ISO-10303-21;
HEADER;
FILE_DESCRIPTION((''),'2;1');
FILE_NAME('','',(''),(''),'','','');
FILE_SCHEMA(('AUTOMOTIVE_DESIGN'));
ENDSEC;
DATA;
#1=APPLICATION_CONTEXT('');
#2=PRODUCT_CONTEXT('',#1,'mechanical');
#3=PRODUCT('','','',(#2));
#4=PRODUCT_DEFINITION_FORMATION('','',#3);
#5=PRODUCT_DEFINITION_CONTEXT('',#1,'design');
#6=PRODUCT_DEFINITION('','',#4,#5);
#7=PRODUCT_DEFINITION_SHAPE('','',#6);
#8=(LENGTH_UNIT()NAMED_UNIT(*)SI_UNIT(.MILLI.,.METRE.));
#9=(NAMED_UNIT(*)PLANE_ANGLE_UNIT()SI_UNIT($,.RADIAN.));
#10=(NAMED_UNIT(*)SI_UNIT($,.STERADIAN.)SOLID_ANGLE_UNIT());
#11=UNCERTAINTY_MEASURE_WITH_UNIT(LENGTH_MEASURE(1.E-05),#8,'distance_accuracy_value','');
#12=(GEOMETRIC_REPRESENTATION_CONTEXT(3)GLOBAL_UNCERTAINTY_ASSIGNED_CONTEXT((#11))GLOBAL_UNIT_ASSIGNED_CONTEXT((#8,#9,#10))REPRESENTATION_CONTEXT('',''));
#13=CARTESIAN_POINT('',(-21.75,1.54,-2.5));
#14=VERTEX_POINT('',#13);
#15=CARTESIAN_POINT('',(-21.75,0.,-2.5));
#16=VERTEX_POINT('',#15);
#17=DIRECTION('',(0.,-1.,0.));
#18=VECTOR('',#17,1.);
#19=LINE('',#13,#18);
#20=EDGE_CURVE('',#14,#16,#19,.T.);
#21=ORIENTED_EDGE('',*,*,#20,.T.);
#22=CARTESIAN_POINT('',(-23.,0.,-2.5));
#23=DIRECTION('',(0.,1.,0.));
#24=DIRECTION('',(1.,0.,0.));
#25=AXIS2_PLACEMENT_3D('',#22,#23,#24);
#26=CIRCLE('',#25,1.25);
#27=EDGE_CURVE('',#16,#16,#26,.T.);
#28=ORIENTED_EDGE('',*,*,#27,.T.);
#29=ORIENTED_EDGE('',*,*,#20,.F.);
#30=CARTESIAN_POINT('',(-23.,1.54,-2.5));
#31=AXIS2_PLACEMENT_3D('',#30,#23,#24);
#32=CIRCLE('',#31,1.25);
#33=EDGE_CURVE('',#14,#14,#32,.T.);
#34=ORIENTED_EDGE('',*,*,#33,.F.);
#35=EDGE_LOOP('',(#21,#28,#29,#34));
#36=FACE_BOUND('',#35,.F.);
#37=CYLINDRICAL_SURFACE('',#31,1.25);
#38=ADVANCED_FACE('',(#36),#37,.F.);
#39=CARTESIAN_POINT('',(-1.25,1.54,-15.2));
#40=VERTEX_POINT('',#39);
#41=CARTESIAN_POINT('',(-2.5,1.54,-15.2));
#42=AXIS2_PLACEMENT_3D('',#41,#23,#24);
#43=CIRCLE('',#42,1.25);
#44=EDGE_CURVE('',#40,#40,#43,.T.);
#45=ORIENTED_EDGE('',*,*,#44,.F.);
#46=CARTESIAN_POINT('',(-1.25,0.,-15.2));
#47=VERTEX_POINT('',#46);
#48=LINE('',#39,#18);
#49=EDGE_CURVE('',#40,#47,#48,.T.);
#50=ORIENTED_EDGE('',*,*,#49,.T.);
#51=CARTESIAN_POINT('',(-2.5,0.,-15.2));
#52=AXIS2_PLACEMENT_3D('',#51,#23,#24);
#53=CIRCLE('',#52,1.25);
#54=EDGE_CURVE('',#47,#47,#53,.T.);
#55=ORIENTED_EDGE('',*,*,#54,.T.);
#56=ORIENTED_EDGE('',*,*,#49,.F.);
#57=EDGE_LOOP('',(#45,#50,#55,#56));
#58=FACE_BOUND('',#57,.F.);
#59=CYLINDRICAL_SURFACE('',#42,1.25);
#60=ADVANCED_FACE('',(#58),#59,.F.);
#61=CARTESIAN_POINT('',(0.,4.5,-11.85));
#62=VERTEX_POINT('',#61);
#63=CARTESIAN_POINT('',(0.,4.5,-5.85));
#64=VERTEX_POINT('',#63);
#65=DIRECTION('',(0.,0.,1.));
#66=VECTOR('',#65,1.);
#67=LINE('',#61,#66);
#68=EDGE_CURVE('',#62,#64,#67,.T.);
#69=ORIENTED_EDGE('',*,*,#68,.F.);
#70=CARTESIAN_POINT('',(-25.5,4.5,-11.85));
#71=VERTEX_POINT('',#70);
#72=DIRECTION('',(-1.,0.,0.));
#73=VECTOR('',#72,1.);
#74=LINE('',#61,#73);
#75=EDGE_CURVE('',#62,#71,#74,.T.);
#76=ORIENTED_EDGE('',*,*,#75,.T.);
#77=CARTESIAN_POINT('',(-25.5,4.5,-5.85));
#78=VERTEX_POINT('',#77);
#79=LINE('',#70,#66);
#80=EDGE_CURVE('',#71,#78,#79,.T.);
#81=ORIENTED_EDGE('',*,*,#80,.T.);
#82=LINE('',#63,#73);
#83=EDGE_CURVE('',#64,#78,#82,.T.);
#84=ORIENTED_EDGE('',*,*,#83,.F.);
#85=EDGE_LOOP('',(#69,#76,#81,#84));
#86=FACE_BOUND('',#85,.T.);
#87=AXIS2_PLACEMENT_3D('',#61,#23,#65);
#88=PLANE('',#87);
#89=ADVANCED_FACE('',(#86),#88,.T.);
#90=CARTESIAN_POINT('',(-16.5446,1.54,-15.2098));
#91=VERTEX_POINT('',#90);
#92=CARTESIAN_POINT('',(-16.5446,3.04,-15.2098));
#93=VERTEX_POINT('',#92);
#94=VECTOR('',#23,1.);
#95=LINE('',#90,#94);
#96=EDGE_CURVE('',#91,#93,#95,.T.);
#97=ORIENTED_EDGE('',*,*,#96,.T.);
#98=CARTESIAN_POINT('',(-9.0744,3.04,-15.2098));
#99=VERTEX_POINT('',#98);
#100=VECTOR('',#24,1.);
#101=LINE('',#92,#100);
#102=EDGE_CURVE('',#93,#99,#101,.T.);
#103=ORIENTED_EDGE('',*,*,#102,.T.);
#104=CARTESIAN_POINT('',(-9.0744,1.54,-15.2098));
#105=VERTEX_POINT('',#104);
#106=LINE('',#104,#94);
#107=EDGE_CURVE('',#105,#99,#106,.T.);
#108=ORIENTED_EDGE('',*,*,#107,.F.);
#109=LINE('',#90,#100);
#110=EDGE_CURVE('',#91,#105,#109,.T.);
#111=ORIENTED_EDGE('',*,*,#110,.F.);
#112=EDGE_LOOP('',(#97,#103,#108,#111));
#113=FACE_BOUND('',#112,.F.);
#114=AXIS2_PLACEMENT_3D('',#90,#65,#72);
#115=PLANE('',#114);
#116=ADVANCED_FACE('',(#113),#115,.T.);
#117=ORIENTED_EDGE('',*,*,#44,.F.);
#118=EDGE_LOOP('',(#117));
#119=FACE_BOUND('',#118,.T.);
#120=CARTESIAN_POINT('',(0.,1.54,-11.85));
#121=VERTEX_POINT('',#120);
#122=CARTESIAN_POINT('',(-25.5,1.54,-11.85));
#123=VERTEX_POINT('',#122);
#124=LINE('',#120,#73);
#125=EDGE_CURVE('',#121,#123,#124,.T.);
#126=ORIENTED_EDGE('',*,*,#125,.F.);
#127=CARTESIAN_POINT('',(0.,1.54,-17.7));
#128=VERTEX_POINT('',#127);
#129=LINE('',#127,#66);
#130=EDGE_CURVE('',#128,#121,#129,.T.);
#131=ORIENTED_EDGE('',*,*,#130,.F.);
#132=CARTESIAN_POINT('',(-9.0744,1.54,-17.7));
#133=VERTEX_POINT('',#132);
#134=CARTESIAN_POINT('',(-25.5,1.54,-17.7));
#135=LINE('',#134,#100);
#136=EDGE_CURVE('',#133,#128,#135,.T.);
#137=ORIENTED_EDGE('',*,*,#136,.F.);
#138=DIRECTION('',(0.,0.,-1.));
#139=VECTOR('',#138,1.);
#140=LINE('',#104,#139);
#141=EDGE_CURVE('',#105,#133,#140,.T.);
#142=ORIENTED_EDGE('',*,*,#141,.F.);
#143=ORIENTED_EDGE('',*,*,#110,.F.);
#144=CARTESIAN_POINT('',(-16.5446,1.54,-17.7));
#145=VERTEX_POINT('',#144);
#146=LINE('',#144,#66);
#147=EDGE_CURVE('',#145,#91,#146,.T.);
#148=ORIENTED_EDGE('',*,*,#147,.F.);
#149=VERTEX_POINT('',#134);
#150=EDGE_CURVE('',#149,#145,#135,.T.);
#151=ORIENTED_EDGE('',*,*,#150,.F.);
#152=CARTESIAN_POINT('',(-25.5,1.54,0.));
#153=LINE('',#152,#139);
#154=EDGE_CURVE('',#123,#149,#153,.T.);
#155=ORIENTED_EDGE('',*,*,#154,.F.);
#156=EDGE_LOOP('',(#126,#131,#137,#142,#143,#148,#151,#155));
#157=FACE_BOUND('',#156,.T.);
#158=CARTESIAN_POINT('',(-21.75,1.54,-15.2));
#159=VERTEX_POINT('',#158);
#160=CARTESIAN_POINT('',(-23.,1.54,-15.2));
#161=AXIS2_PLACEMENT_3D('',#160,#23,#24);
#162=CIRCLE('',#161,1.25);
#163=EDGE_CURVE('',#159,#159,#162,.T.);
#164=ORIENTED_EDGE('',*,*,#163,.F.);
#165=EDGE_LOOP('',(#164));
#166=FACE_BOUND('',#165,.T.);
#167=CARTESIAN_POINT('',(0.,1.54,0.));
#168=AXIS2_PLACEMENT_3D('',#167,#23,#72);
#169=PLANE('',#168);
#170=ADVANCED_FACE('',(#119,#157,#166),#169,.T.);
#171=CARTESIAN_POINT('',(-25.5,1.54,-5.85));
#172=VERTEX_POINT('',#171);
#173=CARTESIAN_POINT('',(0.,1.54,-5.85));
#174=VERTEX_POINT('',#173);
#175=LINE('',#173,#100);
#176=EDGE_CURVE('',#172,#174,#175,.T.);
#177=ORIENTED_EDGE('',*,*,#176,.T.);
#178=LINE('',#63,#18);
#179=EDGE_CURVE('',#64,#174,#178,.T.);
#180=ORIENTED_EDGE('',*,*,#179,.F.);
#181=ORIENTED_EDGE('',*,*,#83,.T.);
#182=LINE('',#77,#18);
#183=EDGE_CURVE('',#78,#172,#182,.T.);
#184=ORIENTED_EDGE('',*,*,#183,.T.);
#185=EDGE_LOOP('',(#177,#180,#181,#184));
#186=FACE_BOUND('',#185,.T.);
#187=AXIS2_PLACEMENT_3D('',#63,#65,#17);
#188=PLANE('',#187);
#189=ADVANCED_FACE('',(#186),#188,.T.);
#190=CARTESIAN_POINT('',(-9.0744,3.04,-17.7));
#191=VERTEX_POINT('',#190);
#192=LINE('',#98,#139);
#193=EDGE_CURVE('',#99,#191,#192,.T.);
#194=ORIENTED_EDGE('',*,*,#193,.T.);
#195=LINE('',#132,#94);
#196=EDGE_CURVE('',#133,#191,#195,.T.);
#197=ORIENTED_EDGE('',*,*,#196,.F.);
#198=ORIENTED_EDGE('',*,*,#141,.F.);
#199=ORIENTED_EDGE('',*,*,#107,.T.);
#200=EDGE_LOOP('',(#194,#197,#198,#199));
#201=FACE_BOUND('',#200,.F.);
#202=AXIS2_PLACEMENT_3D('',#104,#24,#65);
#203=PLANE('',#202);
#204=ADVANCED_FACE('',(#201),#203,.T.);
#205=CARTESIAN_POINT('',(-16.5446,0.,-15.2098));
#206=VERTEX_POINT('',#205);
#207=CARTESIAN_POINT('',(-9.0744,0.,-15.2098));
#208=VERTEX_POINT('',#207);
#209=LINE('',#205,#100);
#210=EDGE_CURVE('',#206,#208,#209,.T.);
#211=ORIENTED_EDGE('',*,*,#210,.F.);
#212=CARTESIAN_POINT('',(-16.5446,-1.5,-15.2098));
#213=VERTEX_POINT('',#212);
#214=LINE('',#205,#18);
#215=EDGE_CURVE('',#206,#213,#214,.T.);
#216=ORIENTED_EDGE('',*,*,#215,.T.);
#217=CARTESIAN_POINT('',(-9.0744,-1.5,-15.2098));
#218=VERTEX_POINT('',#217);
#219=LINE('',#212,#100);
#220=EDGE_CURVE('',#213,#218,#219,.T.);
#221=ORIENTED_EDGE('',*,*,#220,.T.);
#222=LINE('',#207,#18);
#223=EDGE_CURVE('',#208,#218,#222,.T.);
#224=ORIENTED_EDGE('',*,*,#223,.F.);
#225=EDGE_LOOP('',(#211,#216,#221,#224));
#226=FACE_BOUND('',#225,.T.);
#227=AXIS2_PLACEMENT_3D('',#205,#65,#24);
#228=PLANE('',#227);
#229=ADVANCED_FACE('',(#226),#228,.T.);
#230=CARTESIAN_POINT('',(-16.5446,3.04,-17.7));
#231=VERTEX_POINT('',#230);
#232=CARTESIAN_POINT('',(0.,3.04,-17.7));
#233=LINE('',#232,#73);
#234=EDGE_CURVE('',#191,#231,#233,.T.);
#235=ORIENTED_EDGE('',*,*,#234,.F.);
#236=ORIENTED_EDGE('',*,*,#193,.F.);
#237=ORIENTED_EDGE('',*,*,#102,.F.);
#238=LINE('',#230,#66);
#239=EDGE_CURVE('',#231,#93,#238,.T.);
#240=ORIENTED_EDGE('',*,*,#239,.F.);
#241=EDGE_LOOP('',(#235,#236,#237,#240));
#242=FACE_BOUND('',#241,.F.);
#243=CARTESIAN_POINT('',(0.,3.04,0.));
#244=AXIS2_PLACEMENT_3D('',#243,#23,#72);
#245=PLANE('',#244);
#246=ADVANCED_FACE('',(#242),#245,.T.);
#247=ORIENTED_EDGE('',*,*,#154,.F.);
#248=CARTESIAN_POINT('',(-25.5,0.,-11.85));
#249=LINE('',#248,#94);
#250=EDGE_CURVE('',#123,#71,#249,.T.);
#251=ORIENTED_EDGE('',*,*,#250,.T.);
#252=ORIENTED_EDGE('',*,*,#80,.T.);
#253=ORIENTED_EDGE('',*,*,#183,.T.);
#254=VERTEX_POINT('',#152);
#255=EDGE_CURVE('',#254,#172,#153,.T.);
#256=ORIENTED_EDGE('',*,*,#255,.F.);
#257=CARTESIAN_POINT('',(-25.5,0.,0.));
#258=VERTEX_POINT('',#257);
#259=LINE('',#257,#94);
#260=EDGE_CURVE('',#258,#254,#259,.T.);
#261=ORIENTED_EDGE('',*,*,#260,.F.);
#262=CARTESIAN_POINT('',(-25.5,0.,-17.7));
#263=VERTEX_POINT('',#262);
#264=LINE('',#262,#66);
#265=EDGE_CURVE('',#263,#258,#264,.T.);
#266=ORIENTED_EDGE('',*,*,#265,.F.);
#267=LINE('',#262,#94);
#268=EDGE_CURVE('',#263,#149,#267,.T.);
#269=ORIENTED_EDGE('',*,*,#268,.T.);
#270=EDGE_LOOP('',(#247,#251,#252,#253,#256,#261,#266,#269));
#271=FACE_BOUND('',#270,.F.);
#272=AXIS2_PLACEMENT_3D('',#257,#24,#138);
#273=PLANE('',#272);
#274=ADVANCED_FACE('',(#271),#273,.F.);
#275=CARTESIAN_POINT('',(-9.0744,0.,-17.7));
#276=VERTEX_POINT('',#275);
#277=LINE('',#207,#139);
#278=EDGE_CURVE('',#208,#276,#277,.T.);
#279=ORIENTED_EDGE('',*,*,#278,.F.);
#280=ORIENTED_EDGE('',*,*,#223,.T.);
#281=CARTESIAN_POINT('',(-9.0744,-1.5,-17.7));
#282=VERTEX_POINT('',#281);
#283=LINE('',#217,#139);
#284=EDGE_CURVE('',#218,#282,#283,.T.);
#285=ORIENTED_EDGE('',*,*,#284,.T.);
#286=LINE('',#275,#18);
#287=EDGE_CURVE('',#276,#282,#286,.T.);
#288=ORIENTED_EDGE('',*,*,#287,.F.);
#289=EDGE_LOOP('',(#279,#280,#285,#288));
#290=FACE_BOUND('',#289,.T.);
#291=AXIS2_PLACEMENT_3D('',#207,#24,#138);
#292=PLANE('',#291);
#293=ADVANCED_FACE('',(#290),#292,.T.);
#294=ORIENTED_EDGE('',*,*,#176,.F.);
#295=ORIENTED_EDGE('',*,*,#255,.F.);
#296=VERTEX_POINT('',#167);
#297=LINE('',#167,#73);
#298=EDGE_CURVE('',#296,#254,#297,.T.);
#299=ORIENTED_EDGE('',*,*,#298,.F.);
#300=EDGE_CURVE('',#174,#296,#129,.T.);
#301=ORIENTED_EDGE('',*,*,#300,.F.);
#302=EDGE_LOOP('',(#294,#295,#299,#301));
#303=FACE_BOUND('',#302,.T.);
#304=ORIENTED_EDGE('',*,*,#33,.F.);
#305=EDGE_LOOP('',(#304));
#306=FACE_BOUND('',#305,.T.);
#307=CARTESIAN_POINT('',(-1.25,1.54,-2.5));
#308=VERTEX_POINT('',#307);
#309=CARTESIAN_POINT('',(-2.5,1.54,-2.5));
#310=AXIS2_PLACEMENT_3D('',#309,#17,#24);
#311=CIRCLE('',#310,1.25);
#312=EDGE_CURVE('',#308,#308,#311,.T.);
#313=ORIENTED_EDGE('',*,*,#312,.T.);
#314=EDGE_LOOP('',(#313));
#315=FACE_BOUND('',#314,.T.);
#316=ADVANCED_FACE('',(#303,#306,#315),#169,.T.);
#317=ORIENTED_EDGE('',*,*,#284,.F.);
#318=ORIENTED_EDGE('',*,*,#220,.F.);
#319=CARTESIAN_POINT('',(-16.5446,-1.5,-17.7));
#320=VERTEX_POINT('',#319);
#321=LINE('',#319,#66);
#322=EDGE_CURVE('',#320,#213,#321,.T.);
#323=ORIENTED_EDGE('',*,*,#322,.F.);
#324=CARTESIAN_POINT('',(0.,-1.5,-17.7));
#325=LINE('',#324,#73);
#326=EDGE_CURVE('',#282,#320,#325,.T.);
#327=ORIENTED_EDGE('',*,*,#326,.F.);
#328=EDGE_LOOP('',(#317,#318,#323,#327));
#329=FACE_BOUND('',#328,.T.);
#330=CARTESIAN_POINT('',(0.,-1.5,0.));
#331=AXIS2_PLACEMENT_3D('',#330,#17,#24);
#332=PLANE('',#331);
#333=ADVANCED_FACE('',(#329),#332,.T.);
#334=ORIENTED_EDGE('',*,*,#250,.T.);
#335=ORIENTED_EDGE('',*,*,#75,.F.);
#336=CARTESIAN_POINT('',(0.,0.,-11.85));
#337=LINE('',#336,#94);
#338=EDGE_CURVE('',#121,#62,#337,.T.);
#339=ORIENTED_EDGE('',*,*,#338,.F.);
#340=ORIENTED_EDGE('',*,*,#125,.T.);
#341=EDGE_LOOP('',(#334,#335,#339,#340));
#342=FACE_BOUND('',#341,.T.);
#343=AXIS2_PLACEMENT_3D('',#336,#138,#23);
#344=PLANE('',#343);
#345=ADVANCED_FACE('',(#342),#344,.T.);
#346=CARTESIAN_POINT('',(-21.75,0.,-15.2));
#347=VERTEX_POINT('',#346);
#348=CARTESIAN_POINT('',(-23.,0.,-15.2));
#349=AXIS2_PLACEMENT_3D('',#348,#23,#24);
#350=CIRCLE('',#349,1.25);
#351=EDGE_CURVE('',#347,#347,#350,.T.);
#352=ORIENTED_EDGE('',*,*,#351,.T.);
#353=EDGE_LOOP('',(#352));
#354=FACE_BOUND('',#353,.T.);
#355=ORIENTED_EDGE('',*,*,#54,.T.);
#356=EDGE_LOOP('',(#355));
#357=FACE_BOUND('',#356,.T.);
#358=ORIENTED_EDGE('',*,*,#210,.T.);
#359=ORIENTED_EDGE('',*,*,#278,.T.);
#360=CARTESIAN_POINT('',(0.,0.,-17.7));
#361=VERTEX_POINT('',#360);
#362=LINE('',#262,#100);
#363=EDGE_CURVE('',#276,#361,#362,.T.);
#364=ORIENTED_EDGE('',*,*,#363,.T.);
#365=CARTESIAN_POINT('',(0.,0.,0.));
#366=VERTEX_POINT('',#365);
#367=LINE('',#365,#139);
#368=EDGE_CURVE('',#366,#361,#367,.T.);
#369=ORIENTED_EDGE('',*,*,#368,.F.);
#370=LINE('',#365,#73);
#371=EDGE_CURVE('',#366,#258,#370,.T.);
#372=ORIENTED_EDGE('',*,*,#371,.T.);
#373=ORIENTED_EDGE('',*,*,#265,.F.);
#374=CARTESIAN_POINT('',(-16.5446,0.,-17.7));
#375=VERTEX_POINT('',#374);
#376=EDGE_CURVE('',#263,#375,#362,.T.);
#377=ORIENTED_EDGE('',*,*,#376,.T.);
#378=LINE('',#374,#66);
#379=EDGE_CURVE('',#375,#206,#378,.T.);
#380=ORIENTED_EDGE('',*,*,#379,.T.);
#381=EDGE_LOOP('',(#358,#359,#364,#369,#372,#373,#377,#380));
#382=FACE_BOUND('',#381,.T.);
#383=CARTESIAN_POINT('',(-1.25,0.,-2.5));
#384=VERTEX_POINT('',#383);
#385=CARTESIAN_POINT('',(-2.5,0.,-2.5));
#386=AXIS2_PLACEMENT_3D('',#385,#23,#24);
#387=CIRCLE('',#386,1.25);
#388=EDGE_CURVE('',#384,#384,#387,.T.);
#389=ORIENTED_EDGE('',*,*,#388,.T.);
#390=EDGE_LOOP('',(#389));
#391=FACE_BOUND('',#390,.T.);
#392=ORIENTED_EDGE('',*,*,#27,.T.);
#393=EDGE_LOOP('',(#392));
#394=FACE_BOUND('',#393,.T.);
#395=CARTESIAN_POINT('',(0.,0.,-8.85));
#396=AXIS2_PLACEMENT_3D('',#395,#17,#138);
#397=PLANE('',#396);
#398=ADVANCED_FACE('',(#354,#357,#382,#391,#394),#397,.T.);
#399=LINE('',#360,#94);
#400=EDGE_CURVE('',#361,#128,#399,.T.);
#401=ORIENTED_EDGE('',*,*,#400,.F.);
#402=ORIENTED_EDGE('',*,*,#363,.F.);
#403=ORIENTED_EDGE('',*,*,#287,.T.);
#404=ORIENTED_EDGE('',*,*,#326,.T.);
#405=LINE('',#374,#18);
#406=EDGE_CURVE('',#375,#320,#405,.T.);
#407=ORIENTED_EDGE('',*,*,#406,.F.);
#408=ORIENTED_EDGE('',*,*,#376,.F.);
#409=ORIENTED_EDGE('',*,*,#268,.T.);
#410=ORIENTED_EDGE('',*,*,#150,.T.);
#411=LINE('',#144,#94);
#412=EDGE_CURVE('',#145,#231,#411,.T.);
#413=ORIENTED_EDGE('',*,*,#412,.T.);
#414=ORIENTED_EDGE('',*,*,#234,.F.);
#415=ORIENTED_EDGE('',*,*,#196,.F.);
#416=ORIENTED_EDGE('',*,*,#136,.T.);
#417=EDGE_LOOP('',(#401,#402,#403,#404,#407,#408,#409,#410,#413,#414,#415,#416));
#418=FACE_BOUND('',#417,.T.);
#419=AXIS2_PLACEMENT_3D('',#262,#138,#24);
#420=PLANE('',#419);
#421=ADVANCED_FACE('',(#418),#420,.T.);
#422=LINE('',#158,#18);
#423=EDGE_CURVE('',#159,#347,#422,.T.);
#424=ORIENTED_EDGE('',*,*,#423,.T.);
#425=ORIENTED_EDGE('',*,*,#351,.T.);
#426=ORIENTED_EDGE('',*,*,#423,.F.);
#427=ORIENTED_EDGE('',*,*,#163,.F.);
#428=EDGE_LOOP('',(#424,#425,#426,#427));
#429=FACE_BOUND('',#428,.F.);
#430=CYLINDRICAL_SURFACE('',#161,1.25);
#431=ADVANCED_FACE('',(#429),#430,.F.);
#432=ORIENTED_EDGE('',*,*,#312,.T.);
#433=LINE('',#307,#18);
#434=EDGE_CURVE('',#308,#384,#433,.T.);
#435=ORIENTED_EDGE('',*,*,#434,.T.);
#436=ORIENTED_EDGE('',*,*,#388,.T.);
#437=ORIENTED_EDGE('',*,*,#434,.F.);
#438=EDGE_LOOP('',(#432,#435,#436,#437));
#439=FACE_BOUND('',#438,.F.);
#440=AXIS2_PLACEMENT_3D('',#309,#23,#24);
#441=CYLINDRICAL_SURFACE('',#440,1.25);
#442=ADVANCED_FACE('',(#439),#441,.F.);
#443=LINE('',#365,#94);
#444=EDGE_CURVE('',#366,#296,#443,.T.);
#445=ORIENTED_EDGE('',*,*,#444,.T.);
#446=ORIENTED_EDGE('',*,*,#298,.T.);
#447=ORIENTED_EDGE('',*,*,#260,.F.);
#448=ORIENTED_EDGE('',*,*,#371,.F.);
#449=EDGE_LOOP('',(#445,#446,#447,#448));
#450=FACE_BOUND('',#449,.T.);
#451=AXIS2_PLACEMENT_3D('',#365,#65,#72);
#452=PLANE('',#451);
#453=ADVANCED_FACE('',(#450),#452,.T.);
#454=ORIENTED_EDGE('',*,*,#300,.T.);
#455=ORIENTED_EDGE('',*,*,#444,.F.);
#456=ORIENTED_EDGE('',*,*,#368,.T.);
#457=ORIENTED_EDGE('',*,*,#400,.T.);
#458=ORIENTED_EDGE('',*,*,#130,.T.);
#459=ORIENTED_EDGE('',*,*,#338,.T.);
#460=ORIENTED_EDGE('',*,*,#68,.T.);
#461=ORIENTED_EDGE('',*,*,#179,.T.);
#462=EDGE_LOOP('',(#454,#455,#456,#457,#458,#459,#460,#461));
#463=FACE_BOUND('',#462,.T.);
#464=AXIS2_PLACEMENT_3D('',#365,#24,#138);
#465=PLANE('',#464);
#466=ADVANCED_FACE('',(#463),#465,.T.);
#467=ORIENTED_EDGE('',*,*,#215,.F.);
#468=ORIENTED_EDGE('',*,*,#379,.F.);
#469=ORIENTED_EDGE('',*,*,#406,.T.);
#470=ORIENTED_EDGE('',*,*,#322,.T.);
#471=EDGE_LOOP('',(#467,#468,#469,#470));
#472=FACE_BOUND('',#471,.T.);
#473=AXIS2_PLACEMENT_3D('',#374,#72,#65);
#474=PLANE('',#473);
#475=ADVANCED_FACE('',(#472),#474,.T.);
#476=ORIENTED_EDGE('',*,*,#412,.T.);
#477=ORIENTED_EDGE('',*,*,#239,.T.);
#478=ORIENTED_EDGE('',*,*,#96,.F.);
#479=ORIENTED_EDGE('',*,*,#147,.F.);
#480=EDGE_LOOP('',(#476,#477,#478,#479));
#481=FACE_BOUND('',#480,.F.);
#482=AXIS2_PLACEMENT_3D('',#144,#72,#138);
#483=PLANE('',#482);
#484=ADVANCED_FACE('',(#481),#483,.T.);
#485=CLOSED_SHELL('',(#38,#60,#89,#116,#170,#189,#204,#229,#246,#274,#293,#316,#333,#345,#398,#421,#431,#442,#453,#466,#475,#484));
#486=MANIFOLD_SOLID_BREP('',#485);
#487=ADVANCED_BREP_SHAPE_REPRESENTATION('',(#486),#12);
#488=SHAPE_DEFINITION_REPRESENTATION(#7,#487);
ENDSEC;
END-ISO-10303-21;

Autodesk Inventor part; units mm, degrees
ref_plane "YZ Plane" through (0, 0, 0) normal (1, 0, 0) x (0, 1, 0)
ref_plane "XZ Plane" through (0, 0, 0) normal (0, 1, 0) x (-1, 0, 0)
sketch "Sketch1" plane through (0, 0, 0) normal (0, 1, 0) x (-1, 0, 0)
  line L0 (0, 0) -> (25.5, 0)
  line L1 (25.5, 0) -> (25.5, -17.7)
  line L2 (25.5, -17.7) -> (0, -17.7)
  line L3 (0, -17.7) -> (0, 0)
  dimension "d0" = 25.5
  dimension "d1" = 17.7
extrude "Extrusion1" add sketch "Sketch1" along normal blind 1.54
sketch "Sketch2" plane through (0, 1.54, 0) normal (0, 1, 0) x (1, 0, 0)
  line L0 (-25.5, 0) -> (0, 0) projected
  line L1 (0, 0) -> (-2.5, 0)
  line L2 (-2.5, 0) -> (-2.5, 1.25)
  line L3 (-2.5, 2.5) -> (0, 2.5)
  line L4 (0, 2.5) -> (0, 0)
  circle A0 centre (-2.5, 2.5) radius 1.25
  line L5 (0, 17.7) -> (-25.5, 17.7) projected
  line L6 (0, 0) -> (0, 17.7)
  line L7 (0, 17.7) -> (0, 8.85)
  line L8 (0, 0) -> (0, 17.7) projected
  line L9 (0, 8.85) -> (-1.25, 8.85)
  line L10 (-25.5, 17.7) -> (0, 17.7)
  line L11 (-12.75, 17.7) -> (-12.75, 15.5963)
  circle A1 centre (-23, 2.5) radius 1.25
  circle A2 centre (-2.5, 15.2) radius 1.25
  circle A3 centre (-23, 15.2) radius 1.25
  dimension "d6" = 2.5
  dimension "d4" = 2.5
  dimension "d5" = 2.5
extrude "Extrusion2" cut sketch "Sketch2" against normal blind 1.54 contours A0 | A1 | A2 | A3
sketch "Sketch3" plane through (0, 0, 0) normal (1, 0, 0) x (0, 0, -1)
  line L0 (0, 0) -> (0, 1.54) projected
  line L1 (17.7, 0) -> (17.7, 1.54) projected
  line L2 (0, 0) -> (17.7, 0)
  line L3 (0, 0) -> (17.7, 0) projected
  line L4 (8.85, 0) -> (11.85, 0)
  line L5 (11.85, 0) -> (11.85, 4.5)
  line L6 (11.85, 4.5) -> (5.85, 4.5)
  line L7 (5.85, 4.5) -> (5.85, 0)
  line L8 (5.85, 4.5) -> (11.85, 4.5)
  line L9 (11.85, 4.5) -> (11.85, 0)
  line L10 (11.85, 0) -> (5.85, 0)
  line L11 (5.85, 0) -> (5.85, 4.5)
  dimension "d9" = 3
  dimension "d10" = 4.5
  dimension "d11" = 6
extrude "Extrusion3" add sketch "Sketch3" against normal blind 25.5
sketch "Sketch4" plane through (0, 0, 0) normal (0, -1, 0) x (1, 0, 0)
  line L0 (0, -17.7) -> (-25.5, -17.7) projected
  line L1 (-9.0744, -17.7) -> (-16.5446, -17.7)
  line L2 (-16.5446, -17.7) -> (-16.5446, -15.2098)
  line L3 (-16.5446, -15.2098) -> (-9.0744, -15.2098)
  line L4 (-9.0744, -15.2098) -> (-9.0744, -17.7)
  point P0 (0, 0)
extrude "Extrusion4" add sketch "Sketch4" along normal blind 1.5
ref_plane "Work Plane1" through (0, 0.77, 0) normal (0, -1, 0) x (1, 0, 0)
mirror "Mirror1" about plane through (0, 0.77, 0) normal (0, -1, 0) of "Extrusion4"
properties part number "IMU-mpu6050"
